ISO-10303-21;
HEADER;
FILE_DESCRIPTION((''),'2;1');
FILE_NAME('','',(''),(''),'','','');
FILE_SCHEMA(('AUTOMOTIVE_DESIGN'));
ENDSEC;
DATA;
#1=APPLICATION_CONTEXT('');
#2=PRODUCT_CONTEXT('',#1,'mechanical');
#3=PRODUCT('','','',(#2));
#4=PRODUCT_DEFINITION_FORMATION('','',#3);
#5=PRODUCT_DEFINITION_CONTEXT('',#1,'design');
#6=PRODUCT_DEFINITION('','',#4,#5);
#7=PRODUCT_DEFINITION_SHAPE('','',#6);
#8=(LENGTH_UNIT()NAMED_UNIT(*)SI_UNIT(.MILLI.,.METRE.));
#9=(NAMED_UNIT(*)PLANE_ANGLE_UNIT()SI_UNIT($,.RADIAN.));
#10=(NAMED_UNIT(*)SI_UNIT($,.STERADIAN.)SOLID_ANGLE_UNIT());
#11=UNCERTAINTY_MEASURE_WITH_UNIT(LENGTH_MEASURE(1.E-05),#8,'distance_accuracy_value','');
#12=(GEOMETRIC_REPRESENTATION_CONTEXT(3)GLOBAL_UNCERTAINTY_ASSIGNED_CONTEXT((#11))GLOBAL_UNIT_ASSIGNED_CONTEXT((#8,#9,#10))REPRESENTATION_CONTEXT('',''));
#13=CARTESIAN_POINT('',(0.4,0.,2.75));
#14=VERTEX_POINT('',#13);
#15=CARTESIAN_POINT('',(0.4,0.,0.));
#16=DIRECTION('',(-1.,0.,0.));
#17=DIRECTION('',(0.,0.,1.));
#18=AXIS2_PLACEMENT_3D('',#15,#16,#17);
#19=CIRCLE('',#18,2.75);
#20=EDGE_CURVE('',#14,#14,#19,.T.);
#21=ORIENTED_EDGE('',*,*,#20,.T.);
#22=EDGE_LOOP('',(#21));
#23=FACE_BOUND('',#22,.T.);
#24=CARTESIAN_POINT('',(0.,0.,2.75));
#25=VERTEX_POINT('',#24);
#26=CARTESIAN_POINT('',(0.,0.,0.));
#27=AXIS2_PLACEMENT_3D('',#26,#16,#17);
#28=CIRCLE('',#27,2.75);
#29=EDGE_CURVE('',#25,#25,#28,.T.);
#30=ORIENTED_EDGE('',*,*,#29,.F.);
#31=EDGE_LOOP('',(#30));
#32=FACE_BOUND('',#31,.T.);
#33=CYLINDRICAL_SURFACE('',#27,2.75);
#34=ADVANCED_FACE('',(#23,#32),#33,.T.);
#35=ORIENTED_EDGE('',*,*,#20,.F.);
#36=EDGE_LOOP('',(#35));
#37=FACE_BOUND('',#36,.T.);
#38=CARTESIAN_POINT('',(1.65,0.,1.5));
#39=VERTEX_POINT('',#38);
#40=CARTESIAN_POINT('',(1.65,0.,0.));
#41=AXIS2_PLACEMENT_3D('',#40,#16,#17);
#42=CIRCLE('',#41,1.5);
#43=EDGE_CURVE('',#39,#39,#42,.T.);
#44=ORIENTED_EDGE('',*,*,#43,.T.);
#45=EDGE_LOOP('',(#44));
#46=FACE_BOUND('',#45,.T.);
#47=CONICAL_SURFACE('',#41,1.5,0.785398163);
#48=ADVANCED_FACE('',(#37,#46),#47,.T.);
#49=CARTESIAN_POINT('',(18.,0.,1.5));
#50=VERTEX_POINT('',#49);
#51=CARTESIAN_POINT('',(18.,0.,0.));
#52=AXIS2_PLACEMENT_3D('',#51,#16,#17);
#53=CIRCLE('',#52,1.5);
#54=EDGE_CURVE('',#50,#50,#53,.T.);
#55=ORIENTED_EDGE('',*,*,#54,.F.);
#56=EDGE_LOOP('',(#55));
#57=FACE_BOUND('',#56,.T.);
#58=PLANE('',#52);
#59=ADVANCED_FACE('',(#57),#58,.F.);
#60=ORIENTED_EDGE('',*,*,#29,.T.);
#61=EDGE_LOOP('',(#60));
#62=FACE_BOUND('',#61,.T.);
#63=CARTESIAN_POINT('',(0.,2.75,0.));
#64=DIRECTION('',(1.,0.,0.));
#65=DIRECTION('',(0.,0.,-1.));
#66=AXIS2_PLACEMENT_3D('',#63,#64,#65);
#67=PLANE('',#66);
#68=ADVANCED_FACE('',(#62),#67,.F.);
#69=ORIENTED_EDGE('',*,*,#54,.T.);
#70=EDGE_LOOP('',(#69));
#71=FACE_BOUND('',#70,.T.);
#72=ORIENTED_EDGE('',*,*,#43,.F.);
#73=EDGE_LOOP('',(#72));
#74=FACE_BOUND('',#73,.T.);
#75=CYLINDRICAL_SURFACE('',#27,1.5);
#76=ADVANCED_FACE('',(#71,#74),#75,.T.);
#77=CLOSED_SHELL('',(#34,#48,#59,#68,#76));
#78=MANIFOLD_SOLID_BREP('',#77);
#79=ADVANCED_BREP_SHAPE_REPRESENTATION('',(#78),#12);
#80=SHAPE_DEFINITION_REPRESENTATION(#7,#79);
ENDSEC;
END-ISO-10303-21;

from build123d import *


with BuildPart() as part:
    # Esquisse1 → Révolution1 (revolve)
    with BuildSketch(Plane.XY, mode=Mode.PRIVATE) as r_volution1_sk:
        Polygon((0, 0), (18, 0), (18, 1.5), (1.65, 1.5), (0.4, 2.75), (0, 2.75), align=None)
    revolve(r_volution1_sk.sketch.rotate(Axis((0, 0, 0), (1, 0, 0)), 90), axis=Axis((0, 0, 0), (1, 0, 0)))


solid = part.part
